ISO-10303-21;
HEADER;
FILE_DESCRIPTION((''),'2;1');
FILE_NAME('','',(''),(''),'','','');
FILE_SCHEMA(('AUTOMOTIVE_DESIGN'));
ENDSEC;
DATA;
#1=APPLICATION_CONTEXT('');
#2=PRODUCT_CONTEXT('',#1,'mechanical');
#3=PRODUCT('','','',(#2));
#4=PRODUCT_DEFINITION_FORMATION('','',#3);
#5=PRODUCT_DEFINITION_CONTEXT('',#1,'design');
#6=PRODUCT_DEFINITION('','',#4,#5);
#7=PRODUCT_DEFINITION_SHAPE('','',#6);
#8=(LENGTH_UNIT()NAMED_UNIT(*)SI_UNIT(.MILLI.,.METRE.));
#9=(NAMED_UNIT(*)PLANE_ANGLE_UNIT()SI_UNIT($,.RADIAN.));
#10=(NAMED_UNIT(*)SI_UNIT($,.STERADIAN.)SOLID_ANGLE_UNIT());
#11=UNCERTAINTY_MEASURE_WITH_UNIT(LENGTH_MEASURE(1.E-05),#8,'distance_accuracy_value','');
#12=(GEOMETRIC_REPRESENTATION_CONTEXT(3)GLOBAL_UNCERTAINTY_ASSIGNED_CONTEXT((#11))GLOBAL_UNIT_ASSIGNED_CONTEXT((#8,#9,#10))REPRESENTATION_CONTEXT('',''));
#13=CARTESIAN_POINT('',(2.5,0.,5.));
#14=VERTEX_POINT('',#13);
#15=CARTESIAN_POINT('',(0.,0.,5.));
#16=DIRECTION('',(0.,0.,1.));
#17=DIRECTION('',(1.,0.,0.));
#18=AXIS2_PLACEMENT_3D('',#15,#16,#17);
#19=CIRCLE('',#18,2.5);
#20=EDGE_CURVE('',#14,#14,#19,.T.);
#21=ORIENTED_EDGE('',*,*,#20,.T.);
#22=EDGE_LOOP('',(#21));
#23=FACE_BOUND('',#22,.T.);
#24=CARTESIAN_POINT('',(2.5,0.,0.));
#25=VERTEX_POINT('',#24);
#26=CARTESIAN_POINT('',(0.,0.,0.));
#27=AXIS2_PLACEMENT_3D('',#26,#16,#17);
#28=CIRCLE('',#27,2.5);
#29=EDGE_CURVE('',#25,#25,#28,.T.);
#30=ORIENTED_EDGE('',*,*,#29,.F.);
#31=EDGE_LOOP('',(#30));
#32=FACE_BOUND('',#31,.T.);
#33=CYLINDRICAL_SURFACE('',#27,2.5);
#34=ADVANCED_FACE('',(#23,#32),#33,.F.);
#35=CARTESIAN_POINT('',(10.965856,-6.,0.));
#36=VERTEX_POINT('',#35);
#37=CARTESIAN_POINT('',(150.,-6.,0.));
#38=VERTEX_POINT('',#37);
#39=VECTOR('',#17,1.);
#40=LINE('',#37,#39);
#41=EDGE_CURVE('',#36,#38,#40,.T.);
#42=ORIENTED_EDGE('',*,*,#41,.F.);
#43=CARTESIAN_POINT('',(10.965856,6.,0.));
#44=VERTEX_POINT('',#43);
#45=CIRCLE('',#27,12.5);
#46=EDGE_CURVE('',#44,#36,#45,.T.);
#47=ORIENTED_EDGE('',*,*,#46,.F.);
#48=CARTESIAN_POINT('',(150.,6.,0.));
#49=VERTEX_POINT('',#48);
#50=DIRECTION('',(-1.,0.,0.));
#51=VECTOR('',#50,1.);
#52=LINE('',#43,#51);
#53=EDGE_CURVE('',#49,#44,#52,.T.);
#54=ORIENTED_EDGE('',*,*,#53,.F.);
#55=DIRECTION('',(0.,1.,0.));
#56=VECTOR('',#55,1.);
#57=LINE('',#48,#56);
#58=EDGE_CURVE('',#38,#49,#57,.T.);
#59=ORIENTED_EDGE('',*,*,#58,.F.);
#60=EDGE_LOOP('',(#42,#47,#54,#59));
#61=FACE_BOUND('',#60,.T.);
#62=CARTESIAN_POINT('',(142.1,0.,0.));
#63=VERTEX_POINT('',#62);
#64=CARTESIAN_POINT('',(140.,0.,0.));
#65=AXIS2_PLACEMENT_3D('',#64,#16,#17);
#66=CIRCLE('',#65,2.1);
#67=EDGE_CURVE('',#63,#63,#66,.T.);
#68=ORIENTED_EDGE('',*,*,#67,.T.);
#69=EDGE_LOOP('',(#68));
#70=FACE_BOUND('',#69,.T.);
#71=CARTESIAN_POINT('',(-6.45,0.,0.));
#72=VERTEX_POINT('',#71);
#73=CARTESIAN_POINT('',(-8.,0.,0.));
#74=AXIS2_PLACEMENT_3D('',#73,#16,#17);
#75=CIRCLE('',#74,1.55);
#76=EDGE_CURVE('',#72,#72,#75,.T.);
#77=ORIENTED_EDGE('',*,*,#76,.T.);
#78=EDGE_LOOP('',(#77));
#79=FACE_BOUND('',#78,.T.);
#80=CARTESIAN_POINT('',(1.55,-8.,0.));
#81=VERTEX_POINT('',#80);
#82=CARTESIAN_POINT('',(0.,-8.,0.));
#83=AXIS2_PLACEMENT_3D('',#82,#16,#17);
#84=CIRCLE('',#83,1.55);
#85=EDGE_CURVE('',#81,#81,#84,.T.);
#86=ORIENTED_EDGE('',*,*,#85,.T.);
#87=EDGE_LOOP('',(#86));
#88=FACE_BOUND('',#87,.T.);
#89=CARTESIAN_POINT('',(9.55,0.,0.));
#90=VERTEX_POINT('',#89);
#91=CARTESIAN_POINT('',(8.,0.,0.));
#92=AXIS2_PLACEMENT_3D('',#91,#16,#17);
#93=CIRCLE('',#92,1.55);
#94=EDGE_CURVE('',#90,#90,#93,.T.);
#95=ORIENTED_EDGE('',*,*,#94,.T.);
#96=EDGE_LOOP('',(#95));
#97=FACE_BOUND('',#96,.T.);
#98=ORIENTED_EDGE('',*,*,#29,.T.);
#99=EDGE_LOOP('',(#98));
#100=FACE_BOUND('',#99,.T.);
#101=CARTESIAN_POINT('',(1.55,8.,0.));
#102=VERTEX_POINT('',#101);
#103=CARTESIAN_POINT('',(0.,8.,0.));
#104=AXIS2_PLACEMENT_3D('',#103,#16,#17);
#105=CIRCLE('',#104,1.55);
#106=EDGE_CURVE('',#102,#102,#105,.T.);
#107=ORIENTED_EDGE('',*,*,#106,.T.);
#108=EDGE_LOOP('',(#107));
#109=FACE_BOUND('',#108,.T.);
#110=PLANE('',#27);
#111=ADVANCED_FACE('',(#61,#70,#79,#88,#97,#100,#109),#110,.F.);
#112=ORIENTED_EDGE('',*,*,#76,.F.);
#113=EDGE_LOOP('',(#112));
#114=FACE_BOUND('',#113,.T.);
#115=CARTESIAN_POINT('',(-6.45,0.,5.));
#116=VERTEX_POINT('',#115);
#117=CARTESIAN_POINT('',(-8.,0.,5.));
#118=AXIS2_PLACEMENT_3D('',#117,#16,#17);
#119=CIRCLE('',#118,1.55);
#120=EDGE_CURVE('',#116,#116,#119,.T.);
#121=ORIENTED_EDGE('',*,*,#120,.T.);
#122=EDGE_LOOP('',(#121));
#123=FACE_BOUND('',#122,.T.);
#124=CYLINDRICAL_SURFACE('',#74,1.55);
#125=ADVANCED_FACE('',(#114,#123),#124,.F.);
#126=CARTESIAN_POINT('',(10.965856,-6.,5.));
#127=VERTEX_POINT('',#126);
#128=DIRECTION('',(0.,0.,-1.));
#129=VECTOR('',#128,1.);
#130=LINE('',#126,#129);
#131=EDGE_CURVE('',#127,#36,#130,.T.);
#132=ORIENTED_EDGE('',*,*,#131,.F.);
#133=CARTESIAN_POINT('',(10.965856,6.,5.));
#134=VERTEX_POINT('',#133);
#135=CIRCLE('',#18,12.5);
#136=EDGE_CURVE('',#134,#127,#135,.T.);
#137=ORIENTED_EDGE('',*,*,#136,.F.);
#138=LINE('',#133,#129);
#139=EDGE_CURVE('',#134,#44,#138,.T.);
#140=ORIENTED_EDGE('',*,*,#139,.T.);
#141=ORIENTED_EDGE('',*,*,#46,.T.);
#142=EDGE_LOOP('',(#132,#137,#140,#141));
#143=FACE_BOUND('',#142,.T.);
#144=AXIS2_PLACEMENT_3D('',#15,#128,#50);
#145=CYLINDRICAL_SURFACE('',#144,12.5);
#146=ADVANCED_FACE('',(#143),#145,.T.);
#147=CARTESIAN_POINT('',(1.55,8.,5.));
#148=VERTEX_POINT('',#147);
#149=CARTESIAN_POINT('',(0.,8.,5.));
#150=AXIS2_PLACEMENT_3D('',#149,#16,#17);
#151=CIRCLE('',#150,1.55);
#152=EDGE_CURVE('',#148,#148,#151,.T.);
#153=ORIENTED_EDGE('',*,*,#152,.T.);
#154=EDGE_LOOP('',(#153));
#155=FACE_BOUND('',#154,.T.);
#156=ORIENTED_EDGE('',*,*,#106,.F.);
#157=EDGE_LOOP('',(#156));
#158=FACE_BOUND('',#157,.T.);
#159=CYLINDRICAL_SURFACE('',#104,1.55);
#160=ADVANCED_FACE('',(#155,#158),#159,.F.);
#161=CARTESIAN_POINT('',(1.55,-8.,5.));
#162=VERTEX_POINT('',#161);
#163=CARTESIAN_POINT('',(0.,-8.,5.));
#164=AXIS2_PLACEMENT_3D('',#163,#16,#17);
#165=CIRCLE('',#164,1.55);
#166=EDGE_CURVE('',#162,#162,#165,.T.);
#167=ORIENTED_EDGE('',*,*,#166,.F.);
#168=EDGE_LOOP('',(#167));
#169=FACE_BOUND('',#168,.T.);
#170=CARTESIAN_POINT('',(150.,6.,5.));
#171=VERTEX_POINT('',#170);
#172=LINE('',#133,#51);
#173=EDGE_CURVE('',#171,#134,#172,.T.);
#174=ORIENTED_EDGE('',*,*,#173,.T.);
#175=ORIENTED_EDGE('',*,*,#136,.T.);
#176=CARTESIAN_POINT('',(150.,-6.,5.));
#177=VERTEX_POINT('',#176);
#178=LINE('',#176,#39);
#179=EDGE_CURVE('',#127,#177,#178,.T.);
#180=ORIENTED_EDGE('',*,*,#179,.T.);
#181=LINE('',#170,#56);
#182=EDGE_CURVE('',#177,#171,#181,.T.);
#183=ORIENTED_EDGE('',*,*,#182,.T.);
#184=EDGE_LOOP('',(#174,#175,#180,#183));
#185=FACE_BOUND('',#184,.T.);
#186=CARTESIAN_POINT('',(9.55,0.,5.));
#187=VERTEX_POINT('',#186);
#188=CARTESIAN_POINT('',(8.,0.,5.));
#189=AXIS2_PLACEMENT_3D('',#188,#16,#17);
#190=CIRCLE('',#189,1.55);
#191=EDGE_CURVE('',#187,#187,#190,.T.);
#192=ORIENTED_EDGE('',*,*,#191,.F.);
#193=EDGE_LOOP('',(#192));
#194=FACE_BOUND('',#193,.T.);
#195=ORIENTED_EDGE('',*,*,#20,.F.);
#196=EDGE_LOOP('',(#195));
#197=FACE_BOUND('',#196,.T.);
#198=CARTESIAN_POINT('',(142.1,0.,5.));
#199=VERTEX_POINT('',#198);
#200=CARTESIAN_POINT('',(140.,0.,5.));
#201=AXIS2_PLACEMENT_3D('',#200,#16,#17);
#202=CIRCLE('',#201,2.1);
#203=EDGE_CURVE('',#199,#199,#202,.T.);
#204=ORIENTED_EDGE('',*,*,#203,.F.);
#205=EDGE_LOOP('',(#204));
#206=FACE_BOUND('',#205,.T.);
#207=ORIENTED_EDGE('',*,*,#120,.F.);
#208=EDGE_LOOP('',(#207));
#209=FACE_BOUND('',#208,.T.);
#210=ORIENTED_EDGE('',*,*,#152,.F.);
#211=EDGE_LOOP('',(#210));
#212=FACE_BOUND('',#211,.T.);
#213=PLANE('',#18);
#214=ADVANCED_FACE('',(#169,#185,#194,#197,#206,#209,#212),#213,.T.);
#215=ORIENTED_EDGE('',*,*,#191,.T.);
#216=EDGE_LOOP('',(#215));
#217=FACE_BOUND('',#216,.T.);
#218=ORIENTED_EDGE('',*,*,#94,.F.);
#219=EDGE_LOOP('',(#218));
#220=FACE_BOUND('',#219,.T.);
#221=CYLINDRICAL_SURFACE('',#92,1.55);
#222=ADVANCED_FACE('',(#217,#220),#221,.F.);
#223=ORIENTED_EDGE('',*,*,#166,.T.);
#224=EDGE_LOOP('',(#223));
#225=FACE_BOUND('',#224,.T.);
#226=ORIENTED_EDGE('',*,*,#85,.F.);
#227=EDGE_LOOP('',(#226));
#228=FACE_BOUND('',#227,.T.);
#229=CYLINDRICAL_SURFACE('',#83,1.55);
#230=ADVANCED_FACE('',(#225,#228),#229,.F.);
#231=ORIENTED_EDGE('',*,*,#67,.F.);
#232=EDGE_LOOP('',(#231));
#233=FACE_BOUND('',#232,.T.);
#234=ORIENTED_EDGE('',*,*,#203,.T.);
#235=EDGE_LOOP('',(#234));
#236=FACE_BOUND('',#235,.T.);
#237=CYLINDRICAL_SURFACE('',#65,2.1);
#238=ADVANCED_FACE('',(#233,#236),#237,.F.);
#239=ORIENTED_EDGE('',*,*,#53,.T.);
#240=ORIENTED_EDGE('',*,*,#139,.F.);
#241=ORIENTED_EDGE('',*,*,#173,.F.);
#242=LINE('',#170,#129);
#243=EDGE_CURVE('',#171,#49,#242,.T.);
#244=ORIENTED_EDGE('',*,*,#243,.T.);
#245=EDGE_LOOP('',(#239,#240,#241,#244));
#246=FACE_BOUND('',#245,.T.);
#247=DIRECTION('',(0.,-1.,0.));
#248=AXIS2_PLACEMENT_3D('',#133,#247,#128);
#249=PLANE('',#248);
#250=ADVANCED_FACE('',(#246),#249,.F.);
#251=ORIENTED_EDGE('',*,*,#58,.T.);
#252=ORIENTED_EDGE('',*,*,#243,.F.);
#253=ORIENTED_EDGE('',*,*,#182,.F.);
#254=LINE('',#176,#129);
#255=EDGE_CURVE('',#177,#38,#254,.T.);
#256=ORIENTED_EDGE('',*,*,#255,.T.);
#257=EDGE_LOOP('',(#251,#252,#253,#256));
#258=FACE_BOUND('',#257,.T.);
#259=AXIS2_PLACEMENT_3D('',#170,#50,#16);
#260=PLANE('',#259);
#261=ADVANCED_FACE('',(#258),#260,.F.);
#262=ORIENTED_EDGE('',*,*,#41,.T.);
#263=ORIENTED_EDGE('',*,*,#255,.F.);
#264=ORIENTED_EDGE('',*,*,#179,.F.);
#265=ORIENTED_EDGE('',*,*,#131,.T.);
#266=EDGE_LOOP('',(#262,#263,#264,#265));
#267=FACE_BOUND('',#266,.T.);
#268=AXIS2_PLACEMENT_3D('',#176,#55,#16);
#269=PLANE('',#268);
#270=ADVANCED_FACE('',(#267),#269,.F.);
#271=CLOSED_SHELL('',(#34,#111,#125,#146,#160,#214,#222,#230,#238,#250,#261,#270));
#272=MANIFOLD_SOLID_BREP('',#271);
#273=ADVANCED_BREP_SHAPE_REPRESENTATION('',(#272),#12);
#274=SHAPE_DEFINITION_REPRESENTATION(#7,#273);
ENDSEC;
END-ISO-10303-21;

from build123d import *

# Parameters (mm, degrees)
BOSS_EXTRUDE1_DEPTH = 5
SKETCH2_R           = 2.1
SKETCH2_R_2         = 2.5
SKETCH2_R_3         = 1.55
CUT_EXTRUDE1_DEPTH  = 151.602954818


with BuildPart() as part:
    # Sketch1 → Boss-Extrude1 (new body)
    with BuildSketch(Plane.XY):
        with BuildLine():
            Line((10.9658561, 6), (150, 6))
            Line((150, 6), (150, -6))
            Line((150, -6), (10.9658561, -6))
            ThreePointArc((10.9658561, -6), (-12.5, 0), (10.9658561, 6))
        make_face()
    extrude(amount=BOSS_EXTRUDE1_DEPTH)

    # Sketch2 → Cut-Extrude1 (cut, through all)
    with BuildSketch(Plane.XY.offset(5)):
        with Locations((140, 0)):
            Circle(SKETCH2_R)
        Circle(SKETCH2_R_2)
        with Locations((0, 8)):
            Circle(SKETCH2_R_3)
        with Locations((8, 0)):
            Circle(SKETCH2_R_3)
        with Locations((0, -8)):
            Circle(SKETCH2_R_3)
        with Locations((-8, 0)):
            Circle(SKETCH2_R_3)
    extrude(amount=-CUT_EXTRUDE1_DEPTH, mode=Mode.SUBTRACT)


solid = part.part
